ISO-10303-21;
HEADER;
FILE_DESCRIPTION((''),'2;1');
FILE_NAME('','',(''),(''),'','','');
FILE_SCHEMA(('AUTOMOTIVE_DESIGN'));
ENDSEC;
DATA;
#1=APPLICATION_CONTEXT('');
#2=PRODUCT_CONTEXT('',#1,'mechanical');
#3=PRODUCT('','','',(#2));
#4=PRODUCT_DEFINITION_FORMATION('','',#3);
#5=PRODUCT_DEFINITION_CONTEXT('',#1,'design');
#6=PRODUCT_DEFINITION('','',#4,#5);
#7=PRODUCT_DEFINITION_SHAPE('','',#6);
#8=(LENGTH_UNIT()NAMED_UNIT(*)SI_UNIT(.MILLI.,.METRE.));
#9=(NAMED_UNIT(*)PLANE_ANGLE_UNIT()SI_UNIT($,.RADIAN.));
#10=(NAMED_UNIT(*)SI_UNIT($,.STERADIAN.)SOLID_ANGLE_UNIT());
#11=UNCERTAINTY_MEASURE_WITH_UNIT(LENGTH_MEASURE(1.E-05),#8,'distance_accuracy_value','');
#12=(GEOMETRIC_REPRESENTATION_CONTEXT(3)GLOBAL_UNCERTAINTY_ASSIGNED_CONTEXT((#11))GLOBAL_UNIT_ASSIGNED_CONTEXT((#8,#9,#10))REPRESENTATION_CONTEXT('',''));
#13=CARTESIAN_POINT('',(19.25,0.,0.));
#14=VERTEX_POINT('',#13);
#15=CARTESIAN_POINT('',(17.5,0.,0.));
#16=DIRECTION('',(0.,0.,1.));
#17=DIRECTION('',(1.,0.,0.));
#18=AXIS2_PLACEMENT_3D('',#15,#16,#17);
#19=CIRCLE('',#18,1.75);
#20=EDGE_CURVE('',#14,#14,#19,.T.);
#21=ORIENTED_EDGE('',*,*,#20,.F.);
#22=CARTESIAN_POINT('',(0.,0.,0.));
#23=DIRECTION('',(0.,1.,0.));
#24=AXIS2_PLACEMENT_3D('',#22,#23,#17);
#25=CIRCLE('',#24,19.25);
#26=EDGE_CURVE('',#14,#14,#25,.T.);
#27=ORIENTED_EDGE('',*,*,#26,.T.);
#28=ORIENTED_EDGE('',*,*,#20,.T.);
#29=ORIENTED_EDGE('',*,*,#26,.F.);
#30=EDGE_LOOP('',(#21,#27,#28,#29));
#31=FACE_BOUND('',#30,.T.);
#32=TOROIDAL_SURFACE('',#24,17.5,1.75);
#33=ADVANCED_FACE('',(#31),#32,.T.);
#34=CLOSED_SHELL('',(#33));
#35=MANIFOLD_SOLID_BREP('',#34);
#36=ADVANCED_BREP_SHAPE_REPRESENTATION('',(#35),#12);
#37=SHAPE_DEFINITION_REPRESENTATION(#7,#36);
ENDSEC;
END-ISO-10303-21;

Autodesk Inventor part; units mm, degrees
ref_plane "YZ Plane" through (0, 0, 0) normal (1, 0, 0) x (0, 1, 0)
ref_plane "XZ Plane" through (0, 0, 0) normal (0, 1, 0) x (-1, 0, 0)
ref_plane "XY Plane" through (0, 0, 0) normal (0, 0, 1) x (1, 0, 0)
sketch "Sketch1" plane through (0, 0, 0) normal (0, 0, 1) x (1, 0, 0)
  circle A0 centre (17.5, 0) radius 1.75
  line L0 (0, -2.45) -> (0, 2.45) projected
  point P0 (0, 0)
  dimension "d0" = 3.5
  dimension "d1" = 17.5
revolve "Revolution1" add sketch "Sketch1" angle 360 about axis through (0, -10, 0) along (0, 1, 0)
properties part number "STK00-003" material "Rubber"
